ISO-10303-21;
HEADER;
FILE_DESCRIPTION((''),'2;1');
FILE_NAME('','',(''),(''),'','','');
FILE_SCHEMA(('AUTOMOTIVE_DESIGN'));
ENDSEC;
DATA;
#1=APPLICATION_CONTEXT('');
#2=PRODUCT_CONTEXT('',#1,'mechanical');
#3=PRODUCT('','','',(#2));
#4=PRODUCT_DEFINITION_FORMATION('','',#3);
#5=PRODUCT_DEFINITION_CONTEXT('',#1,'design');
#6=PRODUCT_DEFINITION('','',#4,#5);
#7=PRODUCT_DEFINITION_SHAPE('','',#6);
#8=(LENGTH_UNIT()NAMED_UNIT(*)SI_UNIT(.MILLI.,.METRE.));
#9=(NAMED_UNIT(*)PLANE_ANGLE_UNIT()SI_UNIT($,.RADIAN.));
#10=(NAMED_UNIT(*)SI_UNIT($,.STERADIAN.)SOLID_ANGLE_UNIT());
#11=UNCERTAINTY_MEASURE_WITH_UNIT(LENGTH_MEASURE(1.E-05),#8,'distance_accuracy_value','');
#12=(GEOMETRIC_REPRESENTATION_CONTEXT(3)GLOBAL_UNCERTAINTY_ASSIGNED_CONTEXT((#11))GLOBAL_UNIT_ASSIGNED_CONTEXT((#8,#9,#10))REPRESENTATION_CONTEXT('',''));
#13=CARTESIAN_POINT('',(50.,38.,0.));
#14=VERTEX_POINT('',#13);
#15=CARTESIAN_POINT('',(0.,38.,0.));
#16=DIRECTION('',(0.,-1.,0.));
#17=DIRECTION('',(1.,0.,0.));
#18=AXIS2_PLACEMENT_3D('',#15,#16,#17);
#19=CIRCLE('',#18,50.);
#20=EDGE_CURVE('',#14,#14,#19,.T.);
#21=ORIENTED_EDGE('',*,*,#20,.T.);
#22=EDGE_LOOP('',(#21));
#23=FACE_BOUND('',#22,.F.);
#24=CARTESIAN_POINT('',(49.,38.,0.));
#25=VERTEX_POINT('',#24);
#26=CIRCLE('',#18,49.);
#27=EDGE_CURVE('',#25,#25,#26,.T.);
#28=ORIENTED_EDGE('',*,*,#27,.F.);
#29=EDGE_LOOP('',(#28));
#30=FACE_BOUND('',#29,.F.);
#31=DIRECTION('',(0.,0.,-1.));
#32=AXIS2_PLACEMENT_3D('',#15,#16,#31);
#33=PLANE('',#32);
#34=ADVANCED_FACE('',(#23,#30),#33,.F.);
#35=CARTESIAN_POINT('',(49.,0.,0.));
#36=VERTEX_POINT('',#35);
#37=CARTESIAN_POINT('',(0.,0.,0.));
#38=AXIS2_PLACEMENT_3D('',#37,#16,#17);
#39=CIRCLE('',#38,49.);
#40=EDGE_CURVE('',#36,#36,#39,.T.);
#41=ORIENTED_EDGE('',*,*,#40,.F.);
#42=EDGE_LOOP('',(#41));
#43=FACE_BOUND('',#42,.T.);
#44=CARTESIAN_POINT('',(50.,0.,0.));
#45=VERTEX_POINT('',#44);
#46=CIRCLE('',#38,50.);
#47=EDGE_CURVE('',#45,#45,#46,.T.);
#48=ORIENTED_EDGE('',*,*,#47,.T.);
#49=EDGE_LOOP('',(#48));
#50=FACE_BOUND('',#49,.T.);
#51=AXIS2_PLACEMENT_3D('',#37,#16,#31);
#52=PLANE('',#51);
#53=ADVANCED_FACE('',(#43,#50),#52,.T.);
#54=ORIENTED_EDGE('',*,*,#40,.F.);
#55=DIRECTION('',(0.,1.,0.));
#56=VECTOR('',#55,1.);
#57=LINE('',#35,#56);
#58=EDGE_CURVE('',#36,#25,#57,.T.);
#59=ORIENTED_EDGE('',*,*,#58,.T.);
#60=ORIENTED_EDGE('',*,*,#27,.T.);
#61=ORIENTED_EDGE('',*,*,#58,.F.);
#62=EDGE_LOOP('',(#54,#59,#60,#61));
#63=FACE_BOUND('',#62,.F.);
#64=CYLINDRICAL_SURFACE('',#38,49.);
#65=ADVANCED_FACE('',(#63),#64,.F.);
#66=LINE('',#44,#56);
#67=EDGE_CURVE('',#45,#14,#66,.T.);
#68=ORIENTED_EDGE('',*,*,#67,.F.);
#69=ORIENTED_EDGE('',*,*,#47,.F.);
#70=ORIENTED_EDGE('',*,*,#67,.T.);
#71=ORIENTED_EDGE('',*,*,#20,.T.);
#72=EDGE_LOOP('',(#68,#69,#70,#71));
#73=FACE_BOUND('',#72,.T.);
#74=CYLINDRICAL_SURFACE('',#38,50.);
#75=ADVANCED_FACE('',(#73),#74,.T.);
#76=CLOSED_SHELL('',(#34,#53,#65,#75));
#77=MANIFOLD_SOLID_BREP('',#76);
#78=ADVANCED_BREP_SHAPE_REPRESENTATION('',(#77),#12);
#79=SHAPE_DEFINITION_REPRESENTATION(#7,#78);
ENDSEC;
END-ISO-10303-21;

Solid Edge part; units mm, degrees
sketch "Sketch1" plane through (0, 0, 0) normal (0, -1, 0) x (1, 0, 0)
  circle A0 centre (0, 0) radius 49
  circle A1 centre (0, 0) radius 50
  dimension "D1" = 98
  dimension "D2" = 100
extrude "Protrusion1" add sketch "Sketch1" against normal blind 38
